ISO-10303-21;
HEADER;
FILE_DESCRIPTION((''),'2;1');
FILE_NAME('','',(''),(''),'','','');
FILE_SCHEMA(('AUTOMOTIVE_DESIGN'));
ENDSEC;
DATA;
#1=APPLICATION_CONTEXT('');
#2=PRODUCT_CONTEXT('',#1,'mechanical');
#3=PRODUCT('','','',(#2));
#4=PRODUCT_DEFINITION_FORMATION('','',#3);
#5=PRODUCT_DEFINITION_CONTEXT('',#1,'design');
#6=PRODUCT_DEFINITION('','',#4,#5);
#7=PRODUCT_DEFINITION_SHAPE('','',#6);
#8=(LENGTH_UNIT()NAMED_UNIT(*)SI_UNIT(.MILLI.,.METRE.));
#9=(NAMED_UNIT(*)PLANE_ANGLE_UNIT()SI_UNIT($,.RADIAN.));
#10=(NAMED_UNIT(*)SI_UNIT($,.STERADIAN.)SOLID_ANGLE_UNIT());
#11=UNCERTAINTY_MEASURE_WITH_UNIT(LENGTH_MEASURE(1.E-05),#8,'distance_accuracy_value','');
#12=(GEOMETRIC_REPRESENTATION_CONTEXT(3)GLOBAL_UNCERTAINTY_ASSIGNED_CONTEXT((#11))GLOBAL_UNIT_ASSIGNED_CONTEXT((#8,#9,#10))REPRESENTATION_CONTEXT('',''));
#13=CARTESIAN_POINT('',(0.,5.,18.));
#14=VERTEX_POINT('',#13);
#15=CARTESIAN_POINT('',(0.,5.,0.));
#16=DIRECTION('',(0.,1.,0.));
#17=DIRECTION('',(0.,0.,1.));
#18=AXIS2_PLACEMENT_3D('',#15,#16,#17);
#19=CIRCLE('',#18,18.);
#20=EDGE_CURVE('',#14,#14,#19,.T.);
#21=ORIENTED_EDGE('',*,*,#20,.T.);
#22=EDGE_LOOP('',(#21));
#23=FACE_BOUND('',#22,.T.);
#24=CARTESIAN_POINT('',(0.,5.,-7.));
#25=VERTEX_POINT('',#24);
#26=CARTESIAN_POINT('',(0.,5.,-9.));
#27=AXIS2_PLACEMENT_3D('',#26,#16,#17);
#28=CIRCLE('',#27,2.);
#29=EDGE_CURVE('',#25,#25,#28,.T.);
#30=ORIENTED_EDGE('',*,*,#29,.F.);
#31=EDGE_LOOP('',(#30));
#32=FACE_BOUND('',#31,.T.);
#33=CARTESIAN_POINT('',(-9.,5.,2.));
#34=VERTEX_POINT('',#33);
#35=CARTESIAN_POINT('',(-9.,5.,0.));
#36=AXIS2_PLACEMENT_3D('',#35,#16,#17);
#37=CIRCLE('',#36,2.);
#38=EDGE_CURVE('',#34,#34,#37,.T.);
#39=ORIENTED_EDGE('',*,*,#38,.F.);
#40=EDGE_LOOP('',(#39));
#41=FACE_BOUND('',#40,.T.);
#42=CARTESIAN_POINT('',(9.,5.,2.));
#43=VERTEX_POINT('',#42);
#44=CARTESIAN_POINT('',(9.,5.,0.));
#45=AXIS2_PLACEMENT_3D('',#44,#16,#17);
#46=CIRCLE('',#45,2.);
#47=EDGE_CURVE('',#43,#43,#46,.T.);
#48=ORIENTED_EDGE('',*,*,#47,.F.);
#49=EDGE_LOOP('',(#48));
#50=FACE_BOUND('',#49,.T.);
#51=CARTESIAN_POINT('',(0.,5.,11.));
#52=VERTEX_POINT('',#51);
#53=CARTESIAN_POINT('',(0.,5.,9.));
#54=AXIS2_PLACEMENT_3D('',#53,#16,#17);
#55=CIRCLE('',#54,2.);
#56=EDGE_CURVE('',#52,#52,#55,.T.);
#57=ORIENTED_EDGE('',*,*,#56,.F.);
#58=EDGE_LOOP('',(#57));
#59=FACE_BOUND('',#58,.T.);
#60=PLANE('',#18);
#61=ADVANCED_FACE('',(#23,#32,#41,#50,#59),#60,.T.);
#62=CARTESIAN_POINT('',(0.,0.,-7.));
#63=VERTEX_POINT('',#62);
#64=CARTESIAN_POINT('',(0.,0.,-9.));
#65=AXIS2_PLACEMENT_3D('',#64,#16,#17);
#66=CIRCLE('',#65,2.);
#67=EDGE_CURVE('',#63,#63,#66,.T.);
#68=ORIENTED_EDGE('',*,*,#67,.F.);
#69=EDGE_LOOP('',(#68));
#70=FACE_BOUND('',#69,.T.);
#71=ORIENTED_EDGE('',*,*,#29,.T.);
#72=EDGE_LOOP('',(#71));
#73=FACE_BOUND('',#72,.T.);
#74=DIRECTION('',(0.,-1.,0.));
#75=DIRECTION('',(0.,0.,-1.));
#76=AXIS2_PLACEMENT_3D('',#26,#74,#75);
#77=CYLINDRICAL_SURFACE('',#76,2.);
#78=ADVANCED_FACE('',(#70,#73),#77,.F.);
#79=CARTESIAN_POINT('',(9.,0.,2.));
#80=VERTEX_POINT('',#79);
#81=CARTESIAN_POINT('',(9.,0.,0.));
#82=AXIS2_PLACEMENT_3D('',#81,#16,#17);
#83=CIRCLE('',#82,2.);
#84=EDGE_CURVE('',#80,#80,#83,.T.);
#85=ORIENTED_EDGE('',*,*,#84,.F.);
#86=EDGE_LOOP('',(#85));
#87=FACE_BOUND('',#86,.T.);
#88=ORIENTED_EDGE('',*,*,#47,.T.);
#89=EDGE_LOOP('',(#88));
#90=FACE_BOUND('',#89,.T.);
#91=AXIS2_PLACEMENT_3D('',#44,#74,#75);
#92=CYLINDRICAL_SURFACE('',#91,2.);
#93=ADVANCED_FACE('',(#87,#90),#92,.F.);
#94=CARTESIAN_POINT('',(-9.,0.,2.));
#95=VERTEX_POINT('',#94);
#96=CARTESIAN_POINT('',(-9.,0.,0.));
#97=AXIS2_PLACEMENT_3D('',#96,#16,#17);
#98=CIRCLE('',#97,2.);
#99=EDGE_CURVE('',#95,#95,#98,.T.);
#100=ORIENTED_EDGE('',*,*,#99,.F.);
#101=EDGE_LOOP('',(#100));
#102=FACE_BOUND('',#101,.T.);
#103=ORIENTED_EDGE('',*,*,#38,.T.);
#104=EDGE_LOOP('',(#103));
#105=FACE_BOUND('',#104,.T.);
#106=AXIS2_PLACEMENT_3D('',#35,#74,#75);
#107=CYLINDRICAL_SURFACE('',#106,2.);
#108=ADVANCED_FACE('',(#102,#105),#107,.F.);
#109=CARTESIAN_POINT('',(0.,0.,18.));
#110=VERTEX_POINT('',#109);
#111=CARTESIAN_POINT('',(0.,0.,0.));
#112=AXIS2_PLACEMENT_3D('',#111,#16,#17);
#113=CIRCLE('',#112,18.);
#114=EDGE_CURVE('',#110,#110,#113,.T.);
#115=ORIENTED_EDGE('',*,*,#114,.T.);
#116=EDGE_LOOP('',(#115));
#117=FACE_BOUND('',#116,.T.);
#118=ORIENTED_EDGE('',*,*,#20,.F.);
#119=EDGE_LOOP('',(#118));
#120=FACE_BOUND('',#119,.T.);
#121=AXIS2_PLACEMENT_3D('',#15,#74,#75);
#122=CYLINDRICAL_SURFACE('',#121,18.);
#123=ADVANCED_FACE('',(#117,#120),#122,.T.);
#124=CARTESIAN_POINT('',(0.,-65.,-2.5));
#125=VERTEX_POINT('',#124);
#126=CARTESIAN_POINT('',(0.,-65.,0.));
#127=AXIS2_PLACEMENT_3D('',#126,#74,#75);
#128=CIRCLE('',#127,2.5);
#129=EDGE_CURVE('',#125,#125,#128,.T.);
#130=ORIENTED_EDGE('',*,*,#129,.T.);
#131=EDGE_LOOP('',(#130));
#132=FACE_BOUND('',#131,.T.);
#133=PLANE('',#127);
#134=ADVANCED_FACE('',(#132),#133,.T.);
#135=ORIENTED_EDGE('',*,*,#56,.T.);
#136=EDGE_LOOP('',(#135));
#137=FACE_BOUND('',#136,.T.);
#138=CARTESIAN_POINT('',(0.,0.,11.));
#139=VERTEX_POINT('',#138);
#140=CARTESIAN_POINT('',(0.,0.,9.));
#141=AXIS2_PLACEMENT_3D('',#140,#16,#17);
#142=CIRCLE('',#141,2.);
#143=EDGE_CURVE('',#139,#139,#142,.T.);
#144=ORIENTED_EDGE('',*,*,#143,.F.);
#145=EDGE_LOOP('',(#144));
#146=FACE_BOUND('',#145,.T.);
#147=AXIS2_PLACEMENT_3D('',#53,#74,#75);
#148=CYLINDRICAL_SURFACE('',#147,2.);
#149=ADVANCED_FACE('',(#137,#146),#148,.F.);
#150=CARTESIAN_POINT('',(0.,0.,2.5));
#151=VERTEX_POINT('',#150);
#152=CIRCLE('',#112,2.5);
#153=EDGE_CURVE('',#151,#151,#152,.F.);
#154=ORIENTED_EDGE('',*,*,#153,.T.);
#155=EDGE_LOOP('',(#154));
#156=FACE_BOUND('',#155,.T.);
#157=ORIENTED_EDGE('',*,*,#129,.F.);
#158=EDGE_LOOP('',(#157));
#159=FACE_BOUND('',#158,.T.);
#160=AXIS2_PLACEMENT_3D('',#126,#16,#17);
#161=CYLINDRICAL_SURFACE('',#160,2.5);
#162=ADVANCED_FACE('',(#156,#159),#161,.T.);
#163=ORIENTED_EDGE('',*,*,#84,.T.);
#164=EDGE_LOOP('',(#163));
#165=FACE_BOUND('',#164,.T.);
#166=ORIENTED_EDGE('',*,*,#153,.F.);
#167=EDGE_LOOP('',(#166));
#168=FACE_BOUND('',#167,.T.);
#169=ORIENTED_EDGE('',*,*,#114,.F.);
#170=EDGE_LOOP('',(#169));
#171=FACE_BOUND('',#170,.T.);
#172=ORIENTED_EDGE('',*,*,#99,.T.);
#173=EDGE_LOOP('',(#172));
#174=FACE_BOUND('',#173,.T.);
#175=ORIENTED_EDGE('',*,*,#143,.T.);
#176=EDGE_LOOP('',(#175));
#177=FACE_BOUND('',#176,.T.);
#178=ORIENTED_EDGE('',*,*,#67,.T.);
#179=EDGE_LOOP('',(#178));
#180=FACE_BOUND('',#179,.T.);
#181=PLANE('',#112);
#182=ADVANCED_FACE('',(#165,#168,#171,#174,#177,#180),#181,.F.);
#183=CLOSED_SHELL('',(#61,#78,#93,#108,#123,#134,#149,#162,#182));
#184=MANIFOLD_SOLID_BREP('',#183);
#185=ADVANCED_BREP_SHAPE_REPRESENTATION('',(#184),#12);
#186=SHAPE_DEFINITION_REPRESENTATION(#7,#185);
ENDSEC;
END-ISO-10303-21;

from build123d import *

# Parameters (mm, degrees)
SKETCH_1_R      = 18
SKETCH_1_R_2    = 2
EXTRUDE_1_DEPTH = 5
SKETCH_2_R      = 2.5
EXTRUDE_2_DEPTH = 65


with BuildPart() as part:
    # 草图1 → 凸台-拉伸1 (new body)
    with BuildSketch(Plane(origin=(0, 0, 0), x_dir=(1, 0, 0), z_dir=(0, 1, 0))):
        with Locations(Location((0, 0, 0), (0, 0, 270))):
            Circle(SKETCH_1_R)
        with Locations(Location((0, 9, 0), (0, 0, 270))):
            Circle(SKETCH_1_R_2, mode=Mode.SUBTRACT)
        with Locations(Location((9, 0, 0), (0, 0, 270))):
            Circle(SKETCH_1_R_2, mode=Mode.SUBTRACT)
        with Locations(Location((-9, 0, 0), (0, 0, 270))):
            Circle(SKETCH_1_R_2, mode=Mode.SUBTRACT)
        with Locations(Location((0, -9, 0), (0, 0, 270))):
            Circle(SKETCH_1_R_2, mode=Mode.SUBTRACT)
    extrude(amount=EXTRUDE_1_DEPTH)

    # 草图2 → 凸台-拉伸2 (add)
    with BuildSketch(Plane.XZ):
        with Locations(Location((0, 0, 0), (0, 0, 90))):
            Circle(SKETCH_2_R)
    extrude(amount=EXTRUDE_2_DEPTH)


solid = part.part
